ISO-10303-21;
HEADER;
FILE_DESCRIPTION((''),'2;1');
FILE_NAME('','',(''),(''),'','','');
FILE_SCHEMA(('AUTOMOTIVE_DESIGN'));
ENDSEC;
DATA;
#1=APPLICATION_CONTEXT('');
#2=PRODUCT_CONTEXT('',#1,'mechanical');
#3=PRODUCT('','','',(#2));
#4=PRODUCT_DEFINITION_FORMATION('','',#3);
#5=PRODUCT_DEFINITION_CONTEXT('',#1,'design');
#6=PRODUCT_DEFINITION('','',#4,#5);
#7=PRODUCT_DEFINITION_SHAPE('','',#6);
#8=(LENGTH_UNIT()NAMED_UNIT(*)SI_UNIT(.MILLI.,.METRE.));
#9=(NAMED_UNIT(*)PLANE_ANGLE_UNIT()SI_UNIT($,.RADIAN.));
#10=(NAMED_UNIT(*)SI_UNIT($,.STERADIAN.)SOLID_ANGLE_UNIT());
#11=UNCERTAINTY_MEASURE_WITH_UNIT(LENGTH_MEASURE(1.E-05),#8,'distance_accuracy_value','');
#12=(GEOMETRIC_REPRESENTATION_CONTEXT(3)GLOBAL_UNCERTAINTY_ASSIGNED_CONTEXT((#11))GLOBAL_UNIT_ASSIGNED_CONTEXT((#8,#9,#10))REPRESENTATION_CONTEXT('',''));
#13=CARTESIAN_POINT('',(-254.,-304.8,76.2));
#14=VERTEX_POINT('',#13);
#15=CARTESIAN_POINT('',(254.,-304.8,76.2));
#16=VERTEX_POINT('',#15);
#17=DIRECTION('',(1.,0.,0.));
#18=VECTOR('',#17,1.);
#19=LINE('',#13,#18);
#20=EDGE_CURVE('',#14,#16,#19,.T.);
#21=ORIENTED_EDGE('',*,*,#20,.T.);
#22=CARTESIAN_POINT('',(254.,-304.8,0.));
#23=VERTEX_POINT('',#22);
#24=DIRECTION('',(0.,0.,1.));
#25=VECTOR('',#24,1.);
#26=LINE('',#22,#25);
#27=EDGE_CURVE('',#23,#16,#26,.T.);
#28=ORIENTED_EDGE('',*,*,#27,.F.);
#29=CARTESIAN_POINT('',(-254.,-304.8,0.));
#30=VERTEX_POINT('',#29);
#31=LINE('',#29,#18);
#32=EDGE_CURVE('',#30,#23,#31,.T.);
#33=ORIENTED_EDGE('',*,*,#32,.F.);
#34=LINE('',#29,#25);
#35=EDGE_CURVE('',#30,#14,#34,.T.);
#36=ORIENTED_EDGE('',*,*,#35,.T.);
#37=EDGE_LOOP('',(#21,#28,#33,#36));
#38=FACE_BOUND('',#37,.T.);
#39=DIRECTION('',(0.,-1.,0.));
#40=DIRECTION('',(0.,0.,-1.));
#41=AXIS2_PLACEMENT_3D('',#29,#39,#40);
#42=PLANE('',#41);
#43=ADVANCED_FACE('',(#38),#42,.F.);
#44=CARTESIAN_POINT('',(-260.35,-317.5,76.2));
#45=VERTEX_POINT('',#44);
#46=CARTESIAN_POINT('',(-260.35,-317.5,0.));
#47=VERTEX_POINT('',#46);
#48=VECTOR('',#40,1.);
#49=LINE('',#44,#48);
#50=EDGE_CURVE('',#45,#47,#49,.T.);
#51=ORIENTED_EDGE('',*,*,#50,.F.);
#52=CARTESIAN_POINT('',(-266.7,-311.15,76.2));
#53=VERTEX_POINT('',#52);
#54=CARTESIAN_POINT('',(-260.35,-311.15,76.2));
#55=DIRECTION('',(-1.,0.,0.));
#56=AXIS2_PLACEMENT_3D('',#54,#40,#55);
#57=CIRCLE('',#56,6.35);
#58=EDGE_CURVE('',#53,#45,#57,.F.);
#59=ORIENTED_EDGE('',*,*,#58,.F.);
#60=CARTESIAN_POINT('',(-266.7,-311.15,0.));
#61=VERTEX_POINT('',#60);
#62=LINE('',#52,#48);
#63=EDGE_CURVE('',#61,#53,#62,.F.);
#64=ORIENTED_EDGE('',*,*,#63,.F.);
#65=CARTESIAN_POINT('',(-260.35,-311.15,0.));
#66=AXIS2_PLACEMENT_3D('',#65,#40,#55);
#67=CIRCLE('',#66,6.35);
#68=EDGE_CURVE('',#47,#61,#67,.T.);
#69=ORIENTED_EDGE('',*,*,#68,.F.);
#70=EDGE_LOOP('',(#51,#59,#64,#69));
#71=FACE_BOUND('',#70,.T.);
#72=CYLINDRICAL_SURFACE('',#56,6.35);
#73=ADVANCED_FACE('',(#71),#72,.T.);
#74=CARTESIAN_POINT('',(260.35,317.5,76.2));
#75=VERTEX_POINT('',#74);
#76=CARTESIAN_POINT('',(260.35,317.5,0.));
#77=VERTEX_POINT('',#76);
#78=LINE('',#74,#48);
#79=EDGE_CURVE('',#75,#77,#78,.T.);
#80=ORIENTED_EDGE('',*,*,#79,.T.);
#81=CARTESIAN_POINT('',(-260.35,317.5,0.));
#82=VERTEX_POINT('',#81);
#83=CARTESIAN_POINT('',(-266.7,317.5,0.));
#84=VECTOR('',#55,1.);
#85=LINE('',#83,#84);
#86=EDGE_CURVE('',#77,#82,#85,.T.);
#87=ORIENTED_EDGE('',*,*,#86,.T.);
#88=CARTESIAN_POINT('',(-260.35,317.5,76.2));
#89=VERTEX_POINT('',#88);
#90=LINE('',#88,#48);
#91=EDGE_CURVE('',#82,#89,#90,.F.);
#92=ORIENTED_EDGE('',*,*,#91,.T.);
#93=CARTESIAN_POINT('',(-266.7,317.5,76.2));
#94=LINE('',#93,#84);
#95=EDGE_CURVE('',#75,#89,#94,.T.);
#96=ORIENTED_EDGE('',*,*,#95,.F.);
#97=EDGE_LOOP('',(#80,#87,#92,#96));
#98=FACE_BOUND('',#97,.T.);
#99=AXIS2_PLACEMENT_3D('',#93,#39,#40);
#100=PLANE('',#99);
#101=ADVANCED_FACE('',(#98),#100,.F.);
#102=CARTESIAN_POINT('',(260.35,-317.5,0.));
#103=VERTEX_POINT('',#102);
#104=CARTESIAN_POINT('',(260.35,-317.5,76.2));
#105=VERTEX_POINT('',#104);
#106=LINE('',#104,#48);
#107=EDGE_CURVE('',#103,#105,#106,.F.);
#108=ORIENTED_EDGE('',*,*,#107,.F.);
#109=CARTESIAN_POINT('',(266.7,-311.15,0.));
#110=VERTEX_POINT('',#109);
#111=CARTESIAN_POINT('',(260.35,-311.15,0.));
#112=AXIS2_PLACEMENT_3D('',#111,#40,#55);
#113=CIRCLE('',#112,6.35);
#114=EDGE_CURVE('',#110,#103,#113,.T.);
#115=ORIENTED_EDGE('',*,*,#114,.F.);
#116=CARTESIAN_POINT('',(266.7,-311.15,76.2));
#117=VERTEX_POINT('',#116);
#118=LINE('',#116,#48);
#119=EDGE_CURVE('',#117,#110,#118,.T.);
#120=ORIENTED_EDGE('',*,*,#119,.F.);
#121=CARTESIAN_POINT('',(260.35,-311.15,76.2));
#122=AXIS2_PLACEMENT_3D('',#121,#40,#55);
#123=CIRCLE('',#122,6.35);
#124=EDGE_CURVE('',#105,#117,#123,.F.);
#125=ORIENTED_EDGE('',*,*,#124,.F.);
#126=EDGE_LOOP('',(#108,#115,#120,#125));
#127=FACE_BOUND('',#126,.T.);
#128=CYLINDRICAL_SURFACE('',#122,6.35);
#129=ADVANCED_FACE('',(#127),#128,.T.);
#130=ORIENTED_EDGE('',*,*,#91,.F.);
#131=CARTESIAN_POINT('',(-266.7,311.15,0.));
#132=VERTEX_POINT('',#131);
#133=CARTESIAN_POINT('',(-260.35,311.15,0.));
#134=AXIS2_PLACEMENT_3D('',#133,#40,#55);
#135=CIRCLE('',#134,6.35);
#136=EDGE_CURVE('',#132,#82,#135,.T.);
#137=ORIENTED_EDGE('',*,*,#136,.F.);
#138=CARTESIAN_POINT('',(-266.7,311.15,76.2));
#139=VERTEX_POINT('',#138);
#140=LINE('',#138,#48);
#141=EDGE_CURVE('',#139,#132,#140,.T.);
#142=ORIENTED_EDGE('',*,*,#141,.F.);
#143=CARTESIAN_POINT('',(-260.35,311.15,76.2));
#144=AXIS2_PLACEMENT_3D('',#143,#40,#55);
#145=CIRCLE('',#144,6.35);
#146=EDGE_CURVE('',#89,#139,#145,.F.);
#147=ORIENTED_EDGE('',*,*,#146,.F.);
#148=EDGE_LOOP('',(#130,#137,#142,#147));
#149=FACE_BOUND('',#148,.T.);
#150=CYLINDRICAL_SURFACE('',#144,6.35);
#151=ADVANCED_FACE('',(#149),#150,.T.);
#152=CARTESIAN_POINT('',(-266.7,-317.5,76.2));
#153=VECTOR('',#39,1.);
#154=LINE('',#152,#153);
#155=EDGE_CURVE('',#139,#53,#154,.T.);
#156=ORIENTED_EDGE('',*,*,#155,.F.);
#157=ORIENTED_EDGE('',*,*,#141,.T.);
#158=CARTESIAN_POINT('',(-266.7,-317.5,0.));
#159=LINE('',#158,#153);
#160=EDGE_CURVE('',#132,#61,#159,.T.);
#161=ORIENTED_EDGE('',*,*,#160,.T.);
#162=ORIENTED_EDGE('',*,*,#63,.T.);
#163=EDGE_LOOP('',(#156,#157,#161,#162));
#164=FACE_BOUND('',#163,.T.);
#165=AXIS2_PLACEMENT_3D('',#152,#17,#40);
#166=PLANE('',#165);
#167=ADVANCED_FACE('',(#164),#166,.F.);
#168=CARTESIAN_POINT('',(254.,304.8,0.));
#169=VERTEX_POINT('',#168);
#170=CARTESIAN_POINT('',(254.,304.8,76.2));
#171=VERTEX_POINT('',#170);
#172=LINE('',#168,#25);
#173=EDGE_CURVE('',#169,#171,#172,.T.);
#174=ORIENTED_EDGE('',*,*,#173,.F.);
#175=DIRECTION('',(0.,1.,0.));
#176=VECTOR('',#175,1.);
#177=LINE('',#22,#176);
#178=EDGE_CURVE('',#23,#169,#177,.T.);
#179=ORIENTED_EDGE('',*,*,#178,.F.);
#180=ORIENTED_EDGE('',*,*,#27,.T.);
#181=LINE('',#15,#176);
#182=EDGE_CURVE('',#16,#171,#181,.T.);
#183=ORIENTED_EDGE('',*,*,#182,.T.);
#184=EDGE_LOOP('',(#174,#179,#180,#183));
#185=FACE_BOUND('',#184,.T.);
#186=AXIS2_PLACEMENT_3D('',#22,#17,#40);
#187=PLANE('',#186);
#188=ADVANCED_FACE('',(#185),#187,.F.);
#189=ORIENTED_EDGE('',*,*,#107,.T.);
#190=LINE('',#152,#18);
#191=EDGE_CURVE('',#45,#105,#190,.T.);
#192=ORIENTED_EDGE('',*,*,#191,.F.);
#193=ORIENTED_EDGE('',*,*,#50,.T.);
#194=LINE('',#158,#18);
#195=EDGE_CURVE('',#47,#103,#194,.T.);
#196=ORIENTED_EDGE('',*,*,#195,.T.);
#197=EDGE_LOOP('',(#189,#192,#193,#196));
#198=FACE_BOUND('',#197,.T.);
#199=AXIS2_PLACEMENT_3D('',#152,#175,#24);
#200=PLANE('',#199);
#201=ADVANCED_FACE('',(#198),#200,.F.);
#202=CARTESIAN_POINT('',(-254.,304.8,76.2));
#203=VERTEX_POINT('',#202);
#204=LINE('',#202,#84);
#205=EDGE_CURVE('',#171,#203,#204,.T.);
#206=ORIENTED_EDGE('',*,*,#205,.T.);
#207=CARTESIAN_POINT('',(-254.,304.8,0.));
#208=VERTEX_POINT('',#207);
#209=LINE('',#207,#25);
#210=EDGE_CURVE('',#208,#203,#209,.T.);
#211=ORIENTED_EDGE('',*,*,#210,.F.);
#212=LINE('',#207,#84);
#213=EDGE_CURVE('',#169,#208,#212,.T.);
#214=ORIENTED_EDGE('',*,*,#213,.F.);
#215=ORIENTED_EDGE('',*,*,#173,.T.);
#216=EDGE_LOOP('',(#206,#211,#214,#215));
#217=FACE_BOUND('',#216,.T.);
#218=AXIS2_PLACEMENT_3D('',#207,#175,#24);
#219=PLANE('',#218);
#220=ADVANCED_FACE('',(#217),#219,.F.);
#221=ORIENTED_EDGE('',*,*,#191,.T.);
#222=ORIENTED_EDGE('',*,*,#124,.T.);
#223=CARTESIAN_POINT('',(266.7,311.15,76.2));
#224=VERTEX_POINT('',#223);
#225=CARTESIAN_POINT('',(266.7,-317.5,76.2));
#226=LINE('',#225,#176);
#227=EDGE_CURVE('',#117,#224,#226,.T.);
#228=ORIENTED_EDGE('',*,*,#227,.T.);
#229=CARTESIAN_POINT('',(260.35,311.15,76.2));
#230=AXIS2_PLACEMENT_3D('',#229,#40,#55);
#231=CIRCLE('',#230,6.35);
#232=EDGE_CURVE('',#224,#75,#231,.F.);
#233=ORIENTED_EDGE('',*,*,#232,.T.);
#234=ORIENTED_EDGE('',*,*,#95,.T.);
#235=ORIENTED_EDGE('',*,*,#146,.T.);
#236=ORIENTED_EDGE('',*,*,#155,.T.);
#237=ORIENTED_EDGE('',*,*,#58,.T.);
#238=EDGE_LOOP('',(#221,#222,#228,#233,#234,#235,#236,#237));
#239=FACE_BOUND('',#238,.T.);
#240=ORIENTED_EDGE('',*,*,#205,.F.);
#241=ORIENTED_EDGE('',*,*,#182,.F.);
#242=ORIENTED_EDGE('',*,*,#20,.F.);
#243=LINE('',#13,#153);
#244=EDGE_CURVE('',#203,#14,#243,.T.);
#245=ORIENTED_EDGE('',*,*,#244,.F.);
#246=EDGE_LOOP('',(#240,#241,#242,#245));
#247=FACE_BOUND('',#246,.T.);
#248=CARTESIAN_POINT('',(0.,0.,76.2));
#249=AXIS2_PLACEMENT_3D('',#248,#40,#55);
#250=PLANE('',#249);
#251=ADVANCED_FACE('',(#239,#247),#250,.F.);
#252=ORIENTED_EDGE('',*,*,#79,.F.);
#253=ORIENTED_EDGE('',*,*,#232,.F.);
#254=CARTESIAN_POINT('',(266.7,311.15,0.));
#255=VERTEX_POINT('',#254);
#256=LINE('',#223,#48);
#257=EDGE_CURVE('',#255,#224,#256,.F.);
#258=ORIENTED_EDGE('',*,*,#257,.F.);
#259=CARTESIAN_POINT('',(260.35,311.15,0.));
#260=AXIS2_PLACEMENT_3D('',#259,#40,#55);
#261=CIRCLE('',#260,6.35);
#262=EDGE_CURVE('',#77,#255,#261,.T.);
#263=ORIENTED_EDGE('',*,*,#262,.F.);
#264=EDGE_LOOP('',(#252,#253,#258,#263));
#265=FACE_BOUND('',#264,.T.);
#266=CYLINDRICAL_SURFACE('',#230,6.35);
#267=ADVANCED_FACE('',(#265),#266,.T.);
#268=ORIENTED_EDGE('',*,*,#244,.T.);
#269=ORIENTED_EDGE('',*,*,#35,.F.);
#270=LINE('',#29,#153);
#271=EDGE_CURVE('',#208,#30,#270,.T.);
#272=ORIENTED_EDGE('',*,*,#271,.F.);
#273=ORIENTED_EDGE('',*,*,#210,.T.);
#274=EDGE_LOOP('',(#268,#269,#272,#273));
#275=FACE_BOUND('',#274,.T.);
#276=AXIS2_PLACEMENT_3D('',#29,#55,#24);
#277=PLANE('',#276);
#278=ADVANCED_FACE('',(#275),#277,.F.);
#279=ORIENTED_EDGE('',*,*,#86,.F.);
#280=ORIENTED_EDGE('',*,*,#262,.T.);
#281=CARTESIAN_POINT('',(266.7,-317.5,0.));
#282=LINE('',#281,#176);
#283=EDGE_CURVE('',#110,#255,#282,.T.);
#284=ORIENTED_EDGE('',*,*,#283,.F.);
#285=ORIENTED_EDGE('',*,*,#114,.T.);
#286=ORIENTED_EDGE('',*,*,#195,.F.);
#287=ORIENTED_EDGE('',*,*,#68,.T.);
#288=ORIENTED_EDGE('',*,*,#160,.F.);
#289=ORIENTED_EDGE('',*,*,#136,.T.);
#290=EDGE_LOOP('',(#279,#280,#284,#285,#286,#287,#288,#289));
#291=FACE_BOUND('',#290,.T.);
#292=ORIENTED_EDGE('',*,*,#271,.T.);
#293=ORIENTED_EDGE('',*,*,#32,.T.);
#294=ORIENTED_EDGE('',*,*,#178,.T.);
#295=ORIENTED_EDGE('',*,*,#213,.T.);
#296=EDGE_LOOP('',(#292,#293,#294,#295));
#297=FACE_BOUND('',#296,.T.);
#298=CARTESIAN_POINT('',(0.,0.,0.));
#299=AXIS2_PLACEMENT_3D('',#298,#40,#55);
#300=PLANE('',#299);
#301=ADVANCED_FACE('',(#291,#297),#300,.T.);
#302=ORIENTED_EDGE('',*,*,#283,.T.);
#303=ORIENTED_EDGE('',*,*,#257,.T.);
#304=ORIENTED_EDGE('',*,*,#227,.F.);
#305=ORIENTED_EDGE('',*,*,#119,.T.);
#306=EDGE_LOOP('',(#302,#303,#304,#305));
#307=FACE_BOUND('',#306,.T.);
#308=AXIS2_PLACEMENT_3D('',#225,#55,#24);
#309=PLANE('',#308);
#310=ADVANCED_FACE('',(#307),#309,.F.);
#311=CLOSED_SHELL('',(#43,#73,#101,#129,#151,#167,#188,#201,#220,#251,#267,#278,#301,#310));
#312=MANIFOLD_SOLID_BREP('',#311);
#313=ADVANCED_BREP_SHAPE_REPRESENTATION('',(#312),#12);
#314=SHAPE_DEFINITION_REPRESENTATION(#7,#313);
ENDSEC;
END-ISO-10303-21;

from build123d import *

# Parameters (mm, degrees)
SKETCH1_W           = 533.4
SKETCH1_H           = 635
BOSS_EXTRUDE1_DEPTH = 76.2
SKETCH2_W           = 508
SKETCH2_H           = 609.6
CUT_EXTRUDE1_DEPTH  = 422.594093887
FILLET1_R           = 6.35


with BuildPart() as part:
    # Sketch1 → Boss-Extrude1 (new body)
    with BuildSketch(Plane.XY):
        Rectangle(SKETCH1_W, SKETCH1_H)
    extrude(amount=BOSS_EXTRUDE1_DEPTH)

    # Sketch2 → Cut-Extrude1 (cut, through all)
    with BuildSketch(Plane.XY.offset(76.2)):
        Rectangle(SKETCH2_W, SKETCH2_H)
    extrude(amount=-CUT_EXTRUDE1_DEPTH, mode=Mode.SUBTRACT)

    # Fillet1
    fillet1_edges = [part.edges().sort_by_distance(p)[0] for p in [
        (266.7, -317.5, 38.1),
        (-266.7, -317.5, 38.1),
        (-266.7, 317.5, 38.1),
        (266.7, 317.5, 38.1),
    ]]
    fillet(fillet1_edges, radius=FILLET1_R)


solid = part.part
